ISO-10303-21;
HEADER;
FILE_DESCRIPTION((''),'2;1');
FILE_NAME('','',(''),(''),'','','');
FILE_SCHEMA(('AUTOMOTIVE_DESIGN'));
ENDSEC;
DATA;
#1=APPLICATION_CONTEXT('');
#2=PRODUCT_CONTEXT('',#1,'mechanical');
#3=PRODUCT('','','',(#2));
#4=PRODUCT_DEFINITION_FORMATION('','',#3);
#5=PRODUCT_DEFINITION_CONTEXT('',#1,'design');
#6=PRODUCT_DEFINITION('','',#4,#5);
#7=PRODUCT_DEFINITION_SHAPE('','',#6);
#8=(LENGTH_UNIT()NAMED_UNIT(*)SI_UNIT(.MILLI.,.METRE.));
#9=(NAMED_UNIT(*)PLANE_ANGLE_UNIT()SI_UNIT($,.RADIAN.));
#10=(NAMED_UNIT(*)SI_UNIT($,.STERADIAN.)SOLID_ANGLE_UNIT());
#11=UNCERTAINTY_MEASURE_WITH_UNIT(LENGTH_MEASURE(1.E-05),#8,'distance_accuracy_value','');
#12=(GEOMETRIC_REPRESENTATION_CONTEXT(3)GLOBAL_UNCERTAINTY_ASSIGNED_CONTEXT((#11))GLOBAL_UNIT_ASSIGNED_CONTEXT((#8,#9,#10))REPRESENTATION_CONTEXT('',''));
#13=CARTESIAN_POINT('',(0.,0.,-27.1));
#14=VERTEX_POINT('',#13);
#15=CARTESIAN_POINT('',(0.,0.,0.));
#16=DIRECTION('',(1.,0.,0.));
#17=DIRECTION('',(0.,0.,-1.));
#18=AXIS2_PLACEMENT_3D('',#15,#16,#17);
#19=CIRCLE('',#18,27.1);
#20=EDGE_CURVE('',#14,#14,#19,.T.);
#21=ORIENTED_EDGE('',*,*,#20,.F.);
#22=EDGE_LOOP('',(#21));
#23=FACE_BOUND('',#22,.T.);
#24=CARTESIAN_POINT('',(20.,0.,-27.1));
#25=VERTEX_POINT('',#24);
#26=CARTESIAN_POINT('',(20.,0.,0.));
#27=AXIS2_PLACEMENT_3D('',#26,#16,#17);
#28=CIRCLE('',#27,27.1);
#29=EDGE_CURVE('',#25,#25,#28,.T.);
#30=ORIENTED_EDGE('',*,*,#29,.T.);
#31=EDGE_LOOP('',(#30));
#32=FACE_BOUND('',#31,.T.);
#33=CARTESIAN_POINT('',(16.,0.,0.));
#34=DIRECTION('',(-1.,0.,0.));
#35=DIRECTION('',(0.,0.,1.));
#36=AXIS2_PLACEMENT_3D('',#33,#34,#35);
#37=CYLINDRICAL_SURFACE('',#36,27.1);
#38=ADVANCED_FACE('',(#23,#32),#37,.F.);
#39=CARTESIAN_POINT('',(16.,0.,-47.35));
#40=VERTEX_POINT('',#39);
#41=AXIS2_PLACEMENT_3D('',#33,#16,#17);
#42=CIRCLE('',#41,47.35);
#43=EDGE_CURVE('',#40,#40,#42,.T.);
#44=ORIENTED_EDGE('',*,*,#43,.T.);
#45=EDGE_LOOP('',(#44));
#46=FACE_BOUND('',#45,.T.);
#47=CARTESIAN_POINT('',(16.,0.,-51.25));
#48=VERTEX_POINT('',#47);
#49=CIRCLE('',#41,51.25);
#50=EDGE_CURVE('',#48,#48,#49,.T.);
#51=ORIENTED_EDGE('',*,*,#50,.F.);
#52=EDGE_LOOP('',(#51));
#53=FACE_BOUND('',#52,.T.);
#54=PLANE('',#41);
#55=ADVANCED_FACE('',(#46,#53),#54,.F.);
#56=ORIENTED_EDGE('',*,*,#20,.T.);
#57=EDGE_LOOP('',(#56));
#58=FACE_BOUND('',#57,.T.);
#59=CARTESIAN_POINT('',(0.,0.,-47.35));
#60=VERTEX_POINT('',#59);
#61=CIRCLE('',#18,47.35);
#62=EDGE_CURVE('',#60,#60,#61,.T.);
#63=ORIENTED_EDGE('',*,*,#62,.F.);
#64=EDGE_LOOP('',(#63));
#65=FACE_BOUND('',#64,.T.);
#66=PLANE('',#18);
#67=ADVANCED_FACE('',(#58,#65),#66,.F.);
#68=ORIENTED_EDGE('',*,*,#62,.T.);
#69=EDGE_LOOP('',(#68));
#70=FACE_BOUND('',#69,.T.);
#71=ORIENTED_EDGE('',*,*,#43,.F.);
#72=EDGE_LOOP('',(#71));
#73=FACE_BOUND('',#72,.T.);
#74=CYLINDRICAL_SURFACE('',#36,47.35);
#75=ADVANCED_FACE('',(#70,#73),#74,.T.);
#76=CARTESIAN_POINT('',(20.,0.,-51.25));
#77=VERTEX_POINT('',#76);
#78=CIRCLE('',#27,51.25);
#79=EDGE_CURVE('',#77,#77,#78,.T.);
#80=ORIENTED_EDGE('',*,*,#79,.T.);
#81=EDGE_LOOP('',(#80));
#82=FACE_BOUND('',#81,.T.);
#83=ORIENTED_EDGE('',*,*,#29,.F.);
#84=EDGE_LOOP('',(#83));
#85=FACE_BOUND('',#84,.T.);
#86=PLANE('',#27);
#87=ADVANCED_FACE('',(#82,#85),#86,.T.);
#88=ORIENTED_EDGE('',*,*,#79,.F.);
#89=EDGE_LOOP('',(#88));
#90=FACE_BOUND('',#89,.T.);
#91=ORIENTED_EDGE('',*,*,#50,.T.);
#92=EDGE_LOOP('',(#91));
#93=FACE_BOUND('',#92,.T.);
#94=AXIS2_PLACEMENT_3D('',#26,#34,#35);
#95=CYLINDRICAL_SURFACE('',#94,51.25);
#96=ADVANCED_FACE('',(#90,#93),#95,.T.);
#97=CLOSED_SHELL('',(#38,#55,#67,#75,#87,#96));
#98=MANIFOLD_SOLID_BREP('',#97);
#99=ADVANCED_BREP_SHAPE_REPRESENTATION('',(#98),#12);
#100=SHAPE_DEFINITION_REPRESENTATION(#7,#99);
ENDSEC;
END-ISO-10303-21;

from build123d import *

# Parameters (mm, degrees)
SKETCH1_R           = 47.35
SKETCH1_R_2         = 27.1
BOSS_EXTRUDE1_DEPTH = 16
SKETCH2_R           = 51.25
SKETCH2_R_2         = 27.1
BOSS_EXTRUDE2_DEPTH = 4


with BuildPart() as part:
    # Sketch1 → Boss-Extrude1 (new body)
    with BuildSketch(Plane(origin=(0, 0, 0), x_dir=(0, 0, -1), z_dir=(1, 0, 0))):
        Circle(SKETCH1_R)
        Circle(SKETCH1_R_2, mode=Mode.SUBTRACT)
    extrude(amount=BOSS_EXTRUDE1_DEPTH)

    # Sketch2 → Boss-Extrude2 (add)
    with BuildSketch(Plane(origin=(16, 0, 0), x_dir=(0, 0, -1), z_dir=(1, 0, 0))):
        Circle(SKETCH2_R)
        Circle(SKETCH2_R_2, mode=Mode.SUBTRACT)
    extrude(amount=BOSS_EXTRUDE2_DEPTH)


solid = part.part
